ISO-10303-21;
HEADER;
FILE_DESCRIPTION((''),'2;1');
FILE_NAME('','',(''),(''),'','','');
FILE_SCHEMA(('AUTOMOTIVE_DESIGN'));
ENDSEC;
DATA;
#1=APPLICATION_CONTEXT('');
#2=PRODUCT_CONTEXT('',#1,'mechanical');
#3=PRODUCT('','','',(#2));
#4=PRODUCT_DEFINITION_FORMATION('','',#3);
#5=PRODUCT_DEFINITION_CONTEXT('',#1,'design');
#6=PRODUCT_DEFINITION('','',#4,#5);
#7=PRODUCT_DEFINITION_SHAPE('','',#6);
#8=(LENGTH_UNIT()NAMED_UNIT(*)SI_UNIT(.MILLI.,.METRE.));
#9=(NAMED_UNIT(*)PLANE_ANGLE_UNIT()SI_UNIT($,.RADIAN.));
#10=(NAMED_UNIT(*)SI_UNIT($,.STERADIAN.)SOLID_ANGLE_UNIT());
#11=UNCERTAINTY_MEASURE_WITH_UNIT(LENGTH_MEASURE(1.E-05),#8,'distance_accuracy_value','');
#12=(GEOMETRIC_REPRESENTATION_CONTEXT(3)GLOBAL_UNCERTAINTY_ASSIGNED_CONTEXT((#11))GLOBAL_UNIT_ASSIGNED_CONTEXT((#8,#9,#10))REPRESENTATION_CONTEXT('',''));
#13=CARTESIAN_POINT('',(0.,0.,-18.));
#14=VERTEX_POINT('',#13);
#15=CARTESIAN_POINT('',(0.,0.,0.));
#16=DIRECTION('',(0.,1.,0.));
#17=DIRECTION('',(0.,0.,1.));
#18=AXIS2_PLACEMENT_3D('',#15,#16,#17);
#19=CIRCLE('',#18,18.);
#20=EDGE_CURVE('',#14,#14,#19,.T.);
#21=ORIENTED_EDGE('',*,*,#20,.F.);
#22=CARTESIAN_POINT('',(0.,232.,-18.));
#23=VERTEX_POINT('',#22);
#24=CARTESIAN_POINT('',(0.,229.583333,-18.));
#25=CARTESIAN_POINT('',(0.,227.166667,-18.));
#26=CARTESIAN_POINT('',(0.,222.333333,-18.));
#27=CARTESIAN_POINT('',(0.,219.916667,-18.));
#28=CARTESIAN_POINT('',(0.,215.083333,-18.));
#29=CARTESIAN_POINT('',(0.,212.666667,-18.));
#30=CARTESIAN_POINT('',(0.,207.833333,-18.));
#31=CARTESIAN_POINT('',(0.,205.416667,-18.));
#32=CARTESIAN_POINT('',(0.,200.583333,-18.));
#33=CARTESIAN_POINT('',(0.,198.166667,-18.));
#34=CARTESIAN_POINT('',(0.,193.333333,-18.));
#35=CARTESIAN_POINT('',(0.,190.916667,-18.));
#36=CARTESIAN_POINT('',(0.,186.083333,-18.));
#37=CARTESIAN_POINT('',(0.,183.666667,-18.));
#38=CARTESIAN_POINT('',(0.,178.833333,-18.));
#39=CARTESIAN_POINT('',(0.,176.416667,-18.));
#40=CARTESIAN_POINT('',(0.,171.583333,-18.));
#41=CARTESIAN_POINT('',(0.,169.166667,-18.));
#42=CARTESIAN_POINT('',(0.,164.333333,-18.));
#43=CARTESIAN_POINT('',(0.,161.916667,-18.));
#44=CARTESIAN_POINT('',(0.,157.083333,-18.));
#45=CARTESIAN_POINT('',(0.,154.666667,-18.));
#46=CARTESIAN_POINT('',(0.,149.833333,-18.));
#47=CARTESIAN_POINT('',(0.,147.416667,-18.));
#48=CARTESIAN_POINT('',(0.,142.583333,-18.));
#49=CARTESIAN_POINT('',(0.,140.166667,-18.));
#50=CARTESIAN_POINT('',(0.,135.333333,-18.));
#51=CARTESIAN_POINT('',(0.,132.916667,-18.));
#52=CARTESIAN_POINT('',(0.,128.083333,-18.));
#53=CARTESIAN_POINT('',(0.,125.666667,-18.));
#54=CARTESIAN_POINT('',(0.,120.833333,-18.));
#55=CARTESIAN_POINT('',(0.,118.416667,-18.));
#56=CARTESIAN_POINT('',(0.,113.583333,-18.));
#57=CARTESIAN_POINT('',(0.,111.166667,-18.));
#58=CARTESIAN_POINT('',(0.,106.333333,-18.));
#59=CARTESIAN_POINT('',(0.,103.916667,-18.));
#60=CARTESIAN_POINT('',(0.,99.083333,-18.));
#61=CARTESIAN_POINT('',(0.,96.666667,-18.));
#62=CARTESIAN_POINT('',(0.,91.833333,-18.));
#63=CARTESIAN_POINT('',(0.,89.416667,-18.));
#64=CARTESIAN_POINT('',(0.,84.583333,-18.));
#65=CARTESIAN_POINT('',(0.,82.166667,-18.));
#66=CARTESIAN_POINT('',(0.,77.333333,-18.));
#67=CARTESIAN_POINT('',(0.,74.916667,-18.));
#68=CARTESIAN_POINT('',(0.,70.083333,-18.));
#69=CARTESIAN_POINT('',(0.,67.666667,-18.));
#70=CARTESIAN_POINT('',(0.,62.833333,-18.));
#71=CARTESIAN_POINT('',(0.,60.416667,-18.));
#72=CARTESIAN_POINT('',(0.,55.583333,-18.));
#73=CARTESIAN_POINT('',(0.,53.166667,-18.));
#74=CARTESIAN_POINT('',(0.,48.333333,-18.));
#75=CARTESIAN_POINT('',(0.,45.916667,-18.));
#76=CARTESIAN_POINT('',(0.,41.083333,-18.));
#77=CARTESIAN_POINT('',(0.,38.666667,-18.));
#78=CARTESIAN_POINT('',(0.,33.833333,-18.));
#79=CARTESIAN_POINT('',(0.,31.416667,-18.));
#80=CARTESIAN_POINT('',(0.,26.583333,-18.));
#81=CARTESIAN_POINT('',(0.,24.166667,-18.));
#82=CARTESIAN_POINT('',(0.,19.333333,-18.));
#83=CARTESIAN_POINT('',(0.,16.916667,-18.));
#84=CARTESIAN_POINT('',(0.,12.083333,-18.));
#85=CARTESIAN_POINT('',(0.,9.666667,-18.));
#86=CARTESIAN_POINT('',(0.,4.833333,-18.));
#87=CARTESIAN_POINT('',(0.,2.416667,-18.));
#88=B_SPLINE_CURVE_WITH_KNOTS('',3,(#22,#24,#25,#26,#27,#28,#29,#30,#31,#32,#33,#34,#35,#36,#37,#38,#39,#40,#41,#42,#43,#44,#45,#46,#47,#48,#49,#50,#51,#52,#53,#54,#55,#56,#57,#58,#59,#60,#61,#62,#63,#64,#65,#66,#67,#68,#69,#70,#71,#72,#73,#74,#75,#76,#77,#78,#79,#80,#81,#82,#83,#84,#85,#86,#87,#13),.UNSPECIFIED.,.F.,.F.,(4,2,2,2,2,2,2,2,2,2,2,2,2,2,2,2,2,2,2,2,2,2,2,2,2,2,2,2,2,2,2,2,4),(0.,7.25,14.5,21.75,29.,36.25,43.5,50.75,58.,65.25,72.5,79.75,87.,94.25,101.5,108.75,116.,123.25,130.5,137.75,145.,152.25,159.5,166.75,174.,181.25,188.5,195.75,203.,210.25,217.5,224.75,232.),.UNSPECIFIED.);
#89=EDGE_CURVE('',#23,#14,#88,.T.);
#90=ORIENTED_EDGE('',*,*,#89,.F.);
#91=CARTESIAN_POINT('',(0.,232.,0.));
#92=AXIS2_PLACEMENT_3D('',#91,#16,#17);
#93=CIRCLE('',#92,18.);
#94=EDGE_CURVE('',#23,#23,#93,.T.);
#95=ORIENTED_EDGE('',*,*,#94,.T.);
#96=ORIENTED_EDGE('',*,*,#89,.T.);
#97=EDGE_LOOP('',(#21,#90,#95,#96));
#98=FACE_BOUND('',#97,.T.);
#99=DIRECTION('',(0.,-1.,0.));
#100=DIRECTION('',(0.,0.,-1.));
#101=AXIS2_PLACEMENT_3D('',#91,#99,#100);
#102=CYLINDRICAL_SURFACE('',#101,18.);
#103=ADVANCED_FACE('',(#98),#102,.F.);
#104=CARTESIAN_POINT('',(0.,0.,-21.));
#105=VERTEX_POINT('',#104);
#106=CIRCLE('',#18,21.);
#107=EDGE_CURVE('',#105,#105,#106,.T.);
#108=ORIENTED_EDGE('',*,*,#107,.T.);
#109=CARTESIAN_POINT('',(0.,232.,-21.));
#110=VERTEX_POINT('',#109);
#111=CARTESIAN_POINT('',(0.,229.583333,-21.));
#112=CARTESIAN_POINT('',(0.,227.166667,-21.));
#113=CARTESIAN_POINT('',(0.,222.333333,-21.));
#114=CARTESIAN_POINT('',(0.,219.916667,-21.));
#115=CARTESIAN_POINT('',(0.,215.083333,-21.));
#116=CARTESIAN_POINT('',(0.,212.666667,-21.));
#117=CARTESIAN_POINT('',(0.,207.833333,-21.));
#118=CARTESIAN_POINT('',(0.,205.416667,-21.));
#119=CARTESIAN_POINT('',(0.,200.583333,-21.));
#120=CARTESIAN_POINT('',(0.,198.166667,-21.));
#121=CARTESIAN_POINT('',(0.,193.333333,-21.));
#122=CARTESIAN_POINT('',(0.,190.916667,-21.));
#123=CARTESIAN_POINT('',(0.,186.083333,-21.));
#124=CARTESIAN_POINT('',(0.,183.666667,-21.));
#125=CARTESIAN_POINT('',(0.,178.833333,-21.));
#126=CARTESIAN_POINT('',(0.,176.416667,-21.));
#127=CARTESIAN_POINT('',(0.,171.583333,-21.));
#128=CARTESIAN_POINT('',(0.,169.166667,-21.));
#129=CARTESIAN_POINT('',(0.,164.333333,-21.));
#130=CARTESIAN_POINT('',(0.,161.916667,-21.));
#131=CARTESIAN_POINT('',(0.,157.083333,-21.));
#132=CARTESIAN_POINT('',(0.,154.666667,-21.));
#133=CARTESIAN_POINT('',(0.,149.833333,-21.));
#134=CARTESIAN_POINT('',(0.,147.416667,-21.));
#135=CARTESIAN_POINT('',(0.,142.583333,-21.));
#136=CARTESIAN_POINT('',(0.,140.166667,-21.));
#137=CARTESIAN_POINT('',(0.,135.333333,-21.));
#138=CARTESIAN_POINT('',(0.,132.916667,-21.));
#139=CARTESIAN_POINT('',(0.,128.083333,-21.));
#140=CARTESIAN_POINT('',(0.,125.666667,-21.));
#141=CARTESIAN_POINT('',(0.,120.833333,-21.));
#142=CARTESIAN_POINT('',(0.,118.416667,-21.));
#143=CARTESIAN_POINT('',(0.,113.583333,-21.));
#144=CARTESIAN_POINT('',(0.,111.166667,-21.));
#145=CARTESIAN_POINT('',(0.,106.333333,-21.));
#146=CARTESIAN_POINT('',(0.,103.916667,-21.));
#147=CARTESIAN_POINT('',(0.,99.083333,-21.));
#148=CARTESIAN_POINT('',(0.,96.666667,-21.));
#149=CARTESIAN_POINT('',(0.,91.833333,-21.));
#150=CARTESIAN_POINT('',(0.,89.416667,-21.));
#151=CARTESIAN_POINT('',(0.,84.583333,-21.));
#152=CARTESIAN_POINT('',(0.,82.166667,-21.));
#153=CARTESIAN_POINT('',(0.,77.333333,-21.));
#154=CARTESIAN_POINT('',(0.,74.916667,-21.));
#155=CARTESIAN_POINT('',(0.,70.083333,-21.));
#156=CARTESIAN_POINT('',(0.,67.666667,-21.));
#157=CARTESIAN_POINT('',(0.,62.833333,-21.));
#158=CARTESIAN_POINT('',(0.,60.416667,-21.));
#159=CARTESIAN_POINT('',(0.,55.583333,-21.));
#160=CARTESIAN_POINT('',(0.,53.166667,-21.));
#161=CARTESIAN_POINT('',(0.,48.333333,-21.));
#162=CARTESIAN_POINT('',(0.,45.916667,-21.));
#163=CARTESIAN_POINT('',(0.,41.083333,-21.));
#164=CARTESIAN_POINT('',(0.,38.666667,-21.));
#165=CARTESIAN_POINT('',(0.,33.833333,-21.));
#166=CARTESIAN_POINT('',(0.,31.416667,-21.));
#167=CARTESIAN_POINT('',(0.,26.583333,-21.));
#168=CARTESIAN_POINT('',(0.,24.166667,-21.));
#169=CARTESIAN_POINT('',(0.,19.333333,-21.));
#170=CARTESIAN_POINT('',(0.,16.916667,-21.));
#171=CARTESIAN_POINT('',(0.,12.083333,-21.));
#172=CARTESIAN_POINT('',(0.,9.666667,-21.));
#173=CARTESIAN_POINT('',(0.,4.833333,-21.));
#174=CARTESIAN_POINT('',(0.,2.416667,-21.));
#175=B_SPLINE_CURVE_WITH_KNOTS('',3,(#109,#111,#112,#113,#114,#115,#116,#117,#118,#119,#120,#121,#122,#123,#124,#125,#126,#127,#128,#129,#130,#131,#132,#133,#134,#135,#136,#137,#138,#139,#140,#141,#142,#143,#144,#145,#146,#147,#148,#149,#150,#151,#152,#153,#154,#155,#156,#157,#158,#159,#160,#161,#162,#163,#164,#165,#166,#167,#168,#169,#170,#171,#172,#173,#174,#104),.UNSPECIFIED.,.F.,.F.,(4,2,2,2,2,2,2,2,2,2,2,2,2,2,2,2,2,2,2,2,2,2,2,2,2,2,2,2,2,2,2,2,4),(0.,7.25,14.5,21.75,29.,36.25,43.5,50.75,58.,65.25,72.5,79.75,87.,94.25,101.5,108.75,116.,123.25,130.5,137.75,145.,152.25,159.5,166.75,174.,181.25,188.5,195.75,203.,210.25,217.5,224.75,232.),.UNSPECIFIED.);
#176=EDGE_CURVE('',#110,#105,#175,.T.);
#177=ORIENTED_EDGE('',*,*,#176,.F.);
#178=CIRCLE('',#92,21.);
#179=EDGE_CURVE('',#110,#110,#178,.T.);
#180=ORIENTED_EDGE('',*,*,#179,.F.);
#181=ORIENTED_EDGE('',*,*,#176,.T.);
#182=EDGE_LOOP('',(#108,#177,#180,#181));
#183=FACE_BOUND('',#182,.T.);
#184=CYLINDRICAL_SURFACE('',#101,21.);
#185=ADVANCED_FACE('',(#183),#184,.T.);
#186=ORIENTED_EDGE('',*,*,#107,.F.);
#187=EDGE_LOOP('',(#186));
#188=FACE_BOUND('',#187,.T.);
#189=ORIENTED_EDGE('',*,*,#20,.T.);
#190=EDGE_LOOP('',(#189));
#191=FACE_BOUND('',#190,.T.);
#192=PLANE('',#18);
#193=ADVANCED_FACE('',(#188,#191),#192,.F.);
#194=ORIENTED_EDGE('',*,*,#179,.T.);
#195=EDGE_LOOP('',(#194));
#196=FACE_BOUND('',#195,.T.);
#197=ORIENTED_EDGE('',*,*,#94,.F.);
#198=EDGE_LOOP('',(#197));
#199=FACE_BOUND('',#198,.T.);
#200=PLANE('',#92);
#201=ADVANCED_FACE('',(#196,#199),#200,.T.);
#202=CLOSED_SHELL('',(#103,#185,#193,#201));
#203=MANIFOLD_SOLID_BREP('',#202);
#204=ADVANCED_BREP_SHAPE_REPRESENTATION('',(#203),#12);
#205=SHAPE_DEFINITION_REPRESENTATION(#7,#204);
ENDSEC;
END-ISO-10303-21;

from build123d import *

# Parameters (mm, degrees)
SKETCH1_R           = 21
SKETCH1_R_2         = 18
BOSS_EXTRUDE1_DEPTH = 232


with BuildPart() as part:
    # Sketch1 → Boss-Extrude1 (new body)
    with BuildSketch(Plane(origin=(0, 0, 0), x_dir=(1, 0, 0), z_dir=(0, 1, 0))):
        with Locations(Location((0, 0, 0), (0, 0, 90))):
            Circle(SKETCH1_R)
        with Locations(Location((0, 0, 0), (0, 0, 90))):
            Circle(SKETCH1_R_2, mode=Mode.SUBTRACT)
    extrude(amount=BOSS_EXTRUDE1_DEPTH)


solid = part.part
